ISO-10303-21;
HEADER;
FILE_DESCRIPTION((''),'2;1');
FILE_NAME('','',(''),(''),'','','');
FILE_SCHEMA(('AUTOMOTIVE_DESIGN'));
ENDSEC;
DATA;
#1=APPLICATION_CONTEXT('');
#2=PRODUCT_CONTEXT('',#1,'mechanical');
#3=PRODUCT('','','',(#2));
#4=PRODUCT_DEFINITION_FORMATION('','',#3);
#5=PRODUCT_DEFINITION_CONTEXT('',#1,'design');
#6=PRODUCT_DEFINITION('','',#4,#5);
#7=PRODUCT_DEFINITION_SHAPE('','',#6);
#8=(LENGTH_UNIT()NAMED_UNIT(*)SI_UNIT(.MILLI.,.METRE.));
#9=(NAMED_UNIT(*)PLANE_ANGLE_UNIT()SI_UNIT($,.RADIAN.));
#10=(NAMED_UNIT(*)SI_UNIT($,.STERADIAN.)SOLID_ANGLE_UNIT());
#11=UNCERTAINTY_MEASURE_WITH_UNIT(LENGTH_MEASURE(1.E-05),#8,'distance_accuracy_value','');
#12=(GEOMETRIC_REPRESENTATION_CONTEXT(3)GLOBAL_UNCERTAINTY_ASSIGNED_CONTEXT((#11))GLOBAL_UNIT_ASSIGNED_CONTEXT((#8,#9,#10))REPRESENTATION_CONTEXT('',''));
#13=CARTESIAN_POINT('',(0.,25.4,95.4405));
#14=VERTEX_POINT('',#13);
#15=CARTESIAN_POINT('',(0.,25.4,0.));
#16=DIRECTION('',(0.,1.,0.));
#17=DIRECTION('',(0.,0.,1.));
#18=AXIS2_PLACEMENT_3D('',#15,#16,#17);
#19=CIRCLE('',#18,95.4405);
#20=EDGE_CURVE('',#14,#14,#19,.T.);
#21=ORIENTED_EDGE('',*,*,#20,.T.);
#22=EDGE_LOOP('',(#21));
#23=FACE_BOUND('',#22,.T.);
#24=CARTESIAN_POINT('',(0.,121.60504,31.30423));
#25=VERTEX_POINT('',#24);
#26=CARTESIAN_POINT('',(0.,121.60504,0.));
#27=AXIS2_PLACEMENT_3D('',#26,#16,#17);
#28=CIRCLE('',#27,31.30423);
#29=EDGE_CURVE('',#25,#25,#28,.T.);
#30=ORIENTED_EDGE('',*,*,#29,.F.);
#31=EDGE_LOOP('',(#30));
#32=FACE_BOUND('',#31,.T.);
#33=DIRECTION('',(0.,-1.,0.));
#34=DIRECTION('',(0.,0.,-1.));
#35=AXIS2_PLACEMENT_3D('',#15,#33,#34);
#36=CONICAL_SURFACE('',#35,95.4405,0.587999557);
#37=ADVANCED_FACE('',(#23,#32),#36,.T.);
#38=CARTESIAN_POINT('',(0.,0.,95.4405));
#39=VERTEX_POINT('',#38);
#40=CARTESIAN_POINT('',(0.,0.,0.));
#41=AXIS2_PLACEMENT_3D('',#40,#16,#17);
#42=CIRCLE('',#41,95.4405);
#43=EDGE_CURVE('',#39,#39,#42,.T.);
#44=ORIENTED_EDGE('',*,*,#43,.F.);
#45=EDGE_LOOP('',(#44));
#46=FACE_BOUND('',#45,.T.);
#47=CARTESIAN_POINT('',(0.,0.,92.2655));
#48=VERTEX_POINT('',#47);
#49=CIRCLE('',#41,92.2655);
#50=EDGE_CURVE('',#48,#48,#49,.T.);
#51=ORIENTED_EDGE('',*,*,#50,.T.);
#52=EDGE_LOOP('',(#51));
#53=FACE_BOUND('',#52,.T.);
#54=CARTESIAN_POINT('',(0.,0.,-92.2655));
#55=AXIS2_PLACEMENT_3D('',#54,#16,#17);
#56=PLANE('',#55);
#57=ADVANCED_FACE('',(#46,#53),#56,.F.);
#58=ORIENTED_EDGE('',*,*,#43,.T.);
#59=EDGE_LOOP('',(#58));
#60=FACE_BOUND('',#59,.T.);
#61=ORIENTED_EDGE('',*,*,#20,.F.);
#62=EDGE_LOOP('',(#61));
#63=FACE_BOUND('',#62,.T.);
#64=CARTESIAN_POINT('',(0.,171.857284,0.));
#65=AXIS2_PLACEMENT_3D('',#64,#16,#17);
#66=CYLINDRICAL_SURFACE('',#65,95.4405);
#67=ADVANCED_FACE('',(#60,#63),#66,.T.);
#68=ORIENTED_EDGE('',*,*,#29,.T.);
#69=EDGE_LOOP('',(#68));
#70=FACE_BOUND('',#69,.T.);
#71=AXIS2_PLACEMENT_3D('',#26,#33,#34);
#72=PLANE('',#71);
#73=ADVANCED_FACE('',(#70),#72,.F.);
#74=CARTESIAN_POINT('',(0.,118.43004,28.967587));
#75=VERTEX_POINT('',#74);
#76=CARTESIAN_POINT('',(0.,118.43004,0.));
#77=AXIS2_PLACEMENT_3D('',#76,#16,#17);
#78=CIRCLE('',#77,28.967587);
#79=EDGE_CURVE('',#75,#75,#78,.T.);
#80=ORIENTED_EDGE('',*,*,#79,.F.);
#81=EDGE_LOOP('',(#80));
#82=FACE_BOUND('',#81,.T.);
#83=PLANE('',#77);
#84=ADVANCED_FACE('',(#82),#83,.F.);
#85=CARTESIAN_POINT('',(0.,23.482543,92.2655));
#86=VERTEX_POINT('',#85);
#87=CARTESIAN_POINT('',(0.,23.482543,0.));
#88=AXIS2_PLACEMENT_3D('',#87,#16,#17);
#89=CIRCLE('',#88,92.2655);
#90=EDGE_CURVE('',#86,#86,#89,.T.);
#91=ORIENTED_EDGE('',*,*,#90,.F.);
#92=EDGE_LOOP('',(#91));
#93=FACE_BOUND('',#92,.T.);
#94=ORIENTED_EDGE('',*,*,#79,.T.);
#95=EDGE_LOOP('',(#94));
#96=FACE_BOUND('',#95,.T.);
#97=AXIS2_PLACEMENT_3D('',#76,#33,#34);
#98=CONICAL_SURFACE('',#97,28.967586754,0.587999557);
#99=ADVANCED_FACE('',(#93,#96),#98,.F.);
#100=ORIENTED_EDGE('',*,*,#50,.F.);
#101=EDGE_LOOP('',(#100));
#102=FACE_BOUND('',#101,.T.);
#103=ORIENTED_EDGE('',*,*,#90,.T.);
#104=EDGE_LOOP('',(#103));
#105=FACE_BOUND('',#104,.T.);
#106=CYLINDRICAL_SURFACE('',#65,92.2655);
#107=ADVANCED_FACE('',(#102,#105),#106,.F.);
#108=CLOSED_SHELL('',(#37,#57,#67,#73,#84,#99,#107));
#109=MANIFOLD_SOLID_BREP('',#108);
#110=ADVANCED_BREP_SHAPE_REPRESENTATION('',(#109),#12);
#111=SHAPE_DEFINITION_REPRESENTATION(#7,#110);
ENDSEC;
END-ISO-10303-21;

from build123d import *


with BuildPart() as part:
    # Sketch2 → Revolve1 (revolve)
    with BuildSketch(Plane(origin=(0, 0, 0), x_dir=(0, 0, -1), z_dir=(1, 0, 0))):
        Polygon((95.4405, 0), (95.4405, 25.4), (31.30423, 121.60504), (0, 121.60504), (0, 118.43004), (28.967586754, 118.43004), (92.2655, 23.482543431), (92.2655, 0), align=None)
    revolve(axis=Axis((0, 171.857284176, 0), (0, -1, 0)))


solid = part.part
